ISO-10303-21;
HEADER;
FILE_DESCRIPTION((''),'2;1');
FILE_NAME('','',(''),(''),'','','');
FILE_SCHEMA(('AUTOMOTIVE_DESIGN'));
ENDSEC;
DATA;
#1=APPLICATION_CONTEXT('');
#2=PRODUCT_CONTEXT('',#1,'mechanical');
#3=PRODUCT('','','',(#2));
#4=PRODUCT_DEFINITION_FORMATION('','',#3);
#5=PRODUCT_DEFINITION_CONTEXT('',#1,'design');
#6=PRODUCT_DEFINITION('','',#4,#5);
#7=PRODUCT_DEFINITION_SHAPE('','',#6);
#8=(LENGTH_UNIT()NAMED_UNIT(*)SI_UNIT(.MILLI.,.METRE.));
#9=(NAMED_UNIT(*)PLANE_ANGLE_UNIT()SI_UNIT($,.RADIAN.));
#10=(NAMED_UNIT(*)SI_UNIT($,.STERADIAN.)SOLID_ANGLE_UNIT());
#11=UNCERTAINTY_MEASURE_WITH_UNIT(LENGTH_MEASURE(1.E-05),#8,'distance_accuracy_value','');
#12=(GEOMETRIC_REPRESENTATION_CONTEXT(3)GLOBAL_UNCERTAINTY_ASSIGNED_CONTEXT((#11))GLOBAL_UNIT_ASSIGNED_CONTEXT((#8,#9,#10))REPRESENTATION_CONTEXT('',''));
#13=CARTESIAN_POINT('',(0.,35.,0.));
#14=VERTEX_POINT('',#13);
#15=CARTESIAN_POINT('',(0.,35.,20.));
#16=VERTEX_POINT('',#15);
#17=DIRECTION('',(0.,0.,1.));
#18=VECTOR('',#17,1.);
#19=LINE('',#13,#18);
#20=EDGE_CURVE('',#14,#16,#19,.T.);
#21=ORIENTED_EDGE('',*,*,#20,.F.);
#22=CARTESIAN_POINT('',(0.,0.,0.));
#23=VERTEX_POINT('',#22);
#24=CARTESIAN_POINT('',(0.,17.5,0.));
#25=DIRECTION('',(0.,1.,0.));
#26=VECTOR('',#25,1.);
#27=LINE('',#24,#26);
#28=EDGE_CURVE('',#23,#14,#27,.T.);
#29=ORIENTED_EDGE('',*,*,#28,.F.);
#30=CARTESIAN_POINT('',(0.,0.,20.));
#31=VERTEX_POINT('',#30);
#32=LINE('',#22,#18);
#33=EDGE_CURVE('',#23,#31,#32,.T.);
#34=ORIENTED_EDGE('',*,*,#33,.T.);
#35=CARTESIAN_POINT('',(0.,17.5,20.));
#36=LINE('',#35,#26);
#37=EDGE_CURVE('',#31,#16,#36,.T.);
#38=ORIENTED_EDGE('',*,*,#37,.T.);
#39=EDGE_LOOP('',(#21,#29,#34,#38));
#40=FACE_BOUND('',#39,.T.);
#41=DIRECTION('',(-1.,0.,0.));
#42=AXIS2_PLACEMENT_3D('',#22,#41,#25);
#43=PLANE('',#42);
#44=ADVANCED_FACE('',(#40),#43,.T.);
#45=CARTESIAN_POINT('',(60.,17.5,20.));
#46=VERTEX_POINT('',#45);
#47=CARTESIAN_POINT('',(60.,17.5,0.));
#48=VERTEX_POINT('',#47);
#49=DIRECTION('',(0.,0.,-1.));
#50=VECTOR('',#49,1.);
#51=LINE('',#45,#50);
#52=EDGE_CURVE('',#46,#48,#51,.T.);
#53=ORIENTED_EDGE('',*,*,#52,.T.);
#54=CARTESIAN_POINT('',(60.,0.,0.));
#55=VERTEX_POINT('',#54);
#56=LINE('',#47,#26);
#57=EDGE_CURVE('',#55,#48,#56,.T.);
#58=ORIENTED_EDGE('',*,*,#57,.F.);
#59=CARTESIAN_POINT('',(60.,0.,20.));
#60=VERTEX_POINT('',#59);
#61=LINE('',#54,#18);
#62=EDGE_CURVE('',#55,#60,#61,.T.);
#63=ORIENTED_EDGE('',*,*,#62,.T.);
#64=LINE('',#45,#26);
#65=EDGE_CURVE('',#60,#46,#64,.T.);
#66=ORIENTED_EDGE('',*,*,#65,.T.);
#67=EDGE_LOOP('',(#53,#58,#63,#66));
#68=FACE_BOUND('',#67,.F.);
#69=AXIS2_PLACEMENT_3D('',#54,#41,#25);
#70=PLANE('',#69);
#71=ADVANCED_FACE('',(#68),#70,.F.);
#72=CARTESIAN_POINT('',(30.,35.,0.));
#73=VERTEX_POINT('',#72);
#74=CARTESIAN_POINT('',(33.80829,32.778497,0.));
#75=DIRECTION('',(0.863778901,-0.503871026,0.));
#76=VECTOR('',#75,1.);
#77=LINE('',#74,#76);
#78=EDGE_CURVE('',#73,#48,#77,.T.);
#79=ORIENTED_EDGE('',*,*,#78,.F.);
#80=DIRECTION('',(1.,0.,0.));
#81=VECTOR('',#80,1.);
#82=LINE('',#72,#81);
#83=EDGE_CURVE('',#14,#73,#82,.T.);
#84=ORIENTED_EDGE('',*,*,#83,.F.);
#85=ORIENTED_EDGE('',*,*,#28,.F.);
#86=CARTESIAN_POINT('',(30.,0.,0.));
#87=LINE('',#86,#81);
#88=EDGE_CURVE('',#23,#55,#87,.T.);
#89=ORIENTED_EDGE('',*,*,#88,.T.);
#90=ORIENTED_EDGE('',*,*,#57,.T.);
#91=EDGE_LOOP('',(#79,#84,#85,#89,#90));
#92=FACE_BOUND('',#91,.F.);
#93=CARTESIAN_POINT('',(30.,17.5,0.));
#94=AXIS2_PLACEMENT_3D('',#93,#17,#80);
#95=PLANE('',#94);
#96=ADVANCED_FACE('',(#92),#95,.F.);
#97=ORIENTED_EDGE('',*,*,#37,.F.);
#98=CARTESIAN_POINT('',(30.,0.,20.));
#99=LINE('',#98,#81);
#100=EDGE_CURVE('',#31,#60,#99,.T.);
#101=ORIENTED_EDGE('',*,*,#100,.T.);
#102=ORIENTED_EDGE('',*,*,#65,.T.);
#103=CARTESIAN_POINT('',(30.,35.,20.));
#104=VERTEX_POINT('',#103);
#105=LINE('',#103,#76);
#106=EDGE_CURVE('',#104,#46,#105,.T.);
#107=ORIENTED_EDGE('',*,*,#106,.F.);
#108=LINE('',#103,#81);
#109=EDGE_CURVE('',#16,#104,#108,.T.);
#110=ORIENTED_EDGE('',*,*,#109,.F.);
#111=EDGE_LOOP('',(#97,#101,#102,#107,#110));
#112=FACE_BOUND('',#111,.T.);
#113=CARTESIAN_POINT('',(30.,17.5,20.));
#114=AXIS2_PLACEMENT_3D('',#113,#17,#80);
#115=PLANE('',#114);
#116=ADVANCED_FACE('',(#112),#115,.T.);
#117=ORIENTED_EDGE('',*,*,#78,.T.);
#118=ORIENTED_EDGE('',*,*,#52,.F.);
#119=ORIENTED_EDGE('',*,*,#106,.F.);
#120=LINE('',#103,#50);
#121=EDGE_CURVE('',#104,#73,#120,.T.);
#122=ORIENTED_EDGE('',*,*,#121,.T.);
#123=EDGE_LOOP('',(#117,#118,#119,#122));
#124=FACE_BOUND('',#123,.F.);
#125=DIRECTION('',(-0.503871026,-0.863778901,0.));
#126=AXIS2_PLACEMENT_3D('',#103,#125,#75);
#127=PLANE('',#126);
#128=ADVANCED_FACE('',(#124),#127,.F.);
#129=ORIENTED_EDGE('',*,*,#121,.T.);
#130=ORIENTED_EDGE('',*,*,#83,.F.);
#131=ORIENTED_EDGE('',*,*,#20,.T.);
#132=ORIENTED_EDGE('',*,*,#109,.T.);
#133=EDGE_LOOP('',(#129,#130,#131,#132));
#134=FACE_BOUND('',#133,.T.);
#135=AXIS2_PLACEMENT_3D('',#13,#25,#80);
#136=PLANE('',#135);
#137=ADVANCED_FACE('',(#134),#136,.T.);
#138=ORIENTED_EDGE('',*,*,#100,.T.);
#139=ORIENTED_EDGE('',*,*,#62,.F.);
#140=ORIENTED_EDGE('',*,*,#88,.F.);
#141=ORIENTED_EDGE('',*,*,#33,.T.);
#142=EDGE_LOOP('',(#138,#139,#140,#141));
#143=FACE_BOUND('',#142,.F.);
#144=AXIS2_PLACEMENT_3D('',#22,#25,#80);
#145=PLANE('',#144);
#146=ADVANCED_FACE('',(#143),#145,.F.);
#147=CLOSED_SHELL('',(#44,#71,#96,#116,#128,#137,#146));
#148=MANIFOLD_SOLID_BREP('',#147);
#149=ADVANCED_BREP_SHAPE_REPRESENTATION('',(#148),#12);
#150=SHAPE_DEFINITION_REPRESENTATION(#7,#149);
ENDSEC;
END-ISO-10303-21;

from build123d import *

# Parameters (mm, degrees)
F0_W     = 60
F0_H     = 35
F1_DEPTH = 20
F3_DEPTH = 20.001


with BuildPart() as f1:
    # F0 (on Top) → F1 (new body)
    with BuildSketch(Plane.XY):
        with Locations((30, 17.5)):
            Rectangle(F0_W, F0_H)
    extrude(amount=F1_DEPTH)

    # F2 (on face) → F3 (cut, through all)
    with BuildSketch(Plane.XY.offset(20)):
        Polygon((60, 35), (30, 35), (60, 17.5), align=None)
    extrude(amount=-F3_DEPTH, mode=Mode.SUBTRACT)


solid = f1.part
